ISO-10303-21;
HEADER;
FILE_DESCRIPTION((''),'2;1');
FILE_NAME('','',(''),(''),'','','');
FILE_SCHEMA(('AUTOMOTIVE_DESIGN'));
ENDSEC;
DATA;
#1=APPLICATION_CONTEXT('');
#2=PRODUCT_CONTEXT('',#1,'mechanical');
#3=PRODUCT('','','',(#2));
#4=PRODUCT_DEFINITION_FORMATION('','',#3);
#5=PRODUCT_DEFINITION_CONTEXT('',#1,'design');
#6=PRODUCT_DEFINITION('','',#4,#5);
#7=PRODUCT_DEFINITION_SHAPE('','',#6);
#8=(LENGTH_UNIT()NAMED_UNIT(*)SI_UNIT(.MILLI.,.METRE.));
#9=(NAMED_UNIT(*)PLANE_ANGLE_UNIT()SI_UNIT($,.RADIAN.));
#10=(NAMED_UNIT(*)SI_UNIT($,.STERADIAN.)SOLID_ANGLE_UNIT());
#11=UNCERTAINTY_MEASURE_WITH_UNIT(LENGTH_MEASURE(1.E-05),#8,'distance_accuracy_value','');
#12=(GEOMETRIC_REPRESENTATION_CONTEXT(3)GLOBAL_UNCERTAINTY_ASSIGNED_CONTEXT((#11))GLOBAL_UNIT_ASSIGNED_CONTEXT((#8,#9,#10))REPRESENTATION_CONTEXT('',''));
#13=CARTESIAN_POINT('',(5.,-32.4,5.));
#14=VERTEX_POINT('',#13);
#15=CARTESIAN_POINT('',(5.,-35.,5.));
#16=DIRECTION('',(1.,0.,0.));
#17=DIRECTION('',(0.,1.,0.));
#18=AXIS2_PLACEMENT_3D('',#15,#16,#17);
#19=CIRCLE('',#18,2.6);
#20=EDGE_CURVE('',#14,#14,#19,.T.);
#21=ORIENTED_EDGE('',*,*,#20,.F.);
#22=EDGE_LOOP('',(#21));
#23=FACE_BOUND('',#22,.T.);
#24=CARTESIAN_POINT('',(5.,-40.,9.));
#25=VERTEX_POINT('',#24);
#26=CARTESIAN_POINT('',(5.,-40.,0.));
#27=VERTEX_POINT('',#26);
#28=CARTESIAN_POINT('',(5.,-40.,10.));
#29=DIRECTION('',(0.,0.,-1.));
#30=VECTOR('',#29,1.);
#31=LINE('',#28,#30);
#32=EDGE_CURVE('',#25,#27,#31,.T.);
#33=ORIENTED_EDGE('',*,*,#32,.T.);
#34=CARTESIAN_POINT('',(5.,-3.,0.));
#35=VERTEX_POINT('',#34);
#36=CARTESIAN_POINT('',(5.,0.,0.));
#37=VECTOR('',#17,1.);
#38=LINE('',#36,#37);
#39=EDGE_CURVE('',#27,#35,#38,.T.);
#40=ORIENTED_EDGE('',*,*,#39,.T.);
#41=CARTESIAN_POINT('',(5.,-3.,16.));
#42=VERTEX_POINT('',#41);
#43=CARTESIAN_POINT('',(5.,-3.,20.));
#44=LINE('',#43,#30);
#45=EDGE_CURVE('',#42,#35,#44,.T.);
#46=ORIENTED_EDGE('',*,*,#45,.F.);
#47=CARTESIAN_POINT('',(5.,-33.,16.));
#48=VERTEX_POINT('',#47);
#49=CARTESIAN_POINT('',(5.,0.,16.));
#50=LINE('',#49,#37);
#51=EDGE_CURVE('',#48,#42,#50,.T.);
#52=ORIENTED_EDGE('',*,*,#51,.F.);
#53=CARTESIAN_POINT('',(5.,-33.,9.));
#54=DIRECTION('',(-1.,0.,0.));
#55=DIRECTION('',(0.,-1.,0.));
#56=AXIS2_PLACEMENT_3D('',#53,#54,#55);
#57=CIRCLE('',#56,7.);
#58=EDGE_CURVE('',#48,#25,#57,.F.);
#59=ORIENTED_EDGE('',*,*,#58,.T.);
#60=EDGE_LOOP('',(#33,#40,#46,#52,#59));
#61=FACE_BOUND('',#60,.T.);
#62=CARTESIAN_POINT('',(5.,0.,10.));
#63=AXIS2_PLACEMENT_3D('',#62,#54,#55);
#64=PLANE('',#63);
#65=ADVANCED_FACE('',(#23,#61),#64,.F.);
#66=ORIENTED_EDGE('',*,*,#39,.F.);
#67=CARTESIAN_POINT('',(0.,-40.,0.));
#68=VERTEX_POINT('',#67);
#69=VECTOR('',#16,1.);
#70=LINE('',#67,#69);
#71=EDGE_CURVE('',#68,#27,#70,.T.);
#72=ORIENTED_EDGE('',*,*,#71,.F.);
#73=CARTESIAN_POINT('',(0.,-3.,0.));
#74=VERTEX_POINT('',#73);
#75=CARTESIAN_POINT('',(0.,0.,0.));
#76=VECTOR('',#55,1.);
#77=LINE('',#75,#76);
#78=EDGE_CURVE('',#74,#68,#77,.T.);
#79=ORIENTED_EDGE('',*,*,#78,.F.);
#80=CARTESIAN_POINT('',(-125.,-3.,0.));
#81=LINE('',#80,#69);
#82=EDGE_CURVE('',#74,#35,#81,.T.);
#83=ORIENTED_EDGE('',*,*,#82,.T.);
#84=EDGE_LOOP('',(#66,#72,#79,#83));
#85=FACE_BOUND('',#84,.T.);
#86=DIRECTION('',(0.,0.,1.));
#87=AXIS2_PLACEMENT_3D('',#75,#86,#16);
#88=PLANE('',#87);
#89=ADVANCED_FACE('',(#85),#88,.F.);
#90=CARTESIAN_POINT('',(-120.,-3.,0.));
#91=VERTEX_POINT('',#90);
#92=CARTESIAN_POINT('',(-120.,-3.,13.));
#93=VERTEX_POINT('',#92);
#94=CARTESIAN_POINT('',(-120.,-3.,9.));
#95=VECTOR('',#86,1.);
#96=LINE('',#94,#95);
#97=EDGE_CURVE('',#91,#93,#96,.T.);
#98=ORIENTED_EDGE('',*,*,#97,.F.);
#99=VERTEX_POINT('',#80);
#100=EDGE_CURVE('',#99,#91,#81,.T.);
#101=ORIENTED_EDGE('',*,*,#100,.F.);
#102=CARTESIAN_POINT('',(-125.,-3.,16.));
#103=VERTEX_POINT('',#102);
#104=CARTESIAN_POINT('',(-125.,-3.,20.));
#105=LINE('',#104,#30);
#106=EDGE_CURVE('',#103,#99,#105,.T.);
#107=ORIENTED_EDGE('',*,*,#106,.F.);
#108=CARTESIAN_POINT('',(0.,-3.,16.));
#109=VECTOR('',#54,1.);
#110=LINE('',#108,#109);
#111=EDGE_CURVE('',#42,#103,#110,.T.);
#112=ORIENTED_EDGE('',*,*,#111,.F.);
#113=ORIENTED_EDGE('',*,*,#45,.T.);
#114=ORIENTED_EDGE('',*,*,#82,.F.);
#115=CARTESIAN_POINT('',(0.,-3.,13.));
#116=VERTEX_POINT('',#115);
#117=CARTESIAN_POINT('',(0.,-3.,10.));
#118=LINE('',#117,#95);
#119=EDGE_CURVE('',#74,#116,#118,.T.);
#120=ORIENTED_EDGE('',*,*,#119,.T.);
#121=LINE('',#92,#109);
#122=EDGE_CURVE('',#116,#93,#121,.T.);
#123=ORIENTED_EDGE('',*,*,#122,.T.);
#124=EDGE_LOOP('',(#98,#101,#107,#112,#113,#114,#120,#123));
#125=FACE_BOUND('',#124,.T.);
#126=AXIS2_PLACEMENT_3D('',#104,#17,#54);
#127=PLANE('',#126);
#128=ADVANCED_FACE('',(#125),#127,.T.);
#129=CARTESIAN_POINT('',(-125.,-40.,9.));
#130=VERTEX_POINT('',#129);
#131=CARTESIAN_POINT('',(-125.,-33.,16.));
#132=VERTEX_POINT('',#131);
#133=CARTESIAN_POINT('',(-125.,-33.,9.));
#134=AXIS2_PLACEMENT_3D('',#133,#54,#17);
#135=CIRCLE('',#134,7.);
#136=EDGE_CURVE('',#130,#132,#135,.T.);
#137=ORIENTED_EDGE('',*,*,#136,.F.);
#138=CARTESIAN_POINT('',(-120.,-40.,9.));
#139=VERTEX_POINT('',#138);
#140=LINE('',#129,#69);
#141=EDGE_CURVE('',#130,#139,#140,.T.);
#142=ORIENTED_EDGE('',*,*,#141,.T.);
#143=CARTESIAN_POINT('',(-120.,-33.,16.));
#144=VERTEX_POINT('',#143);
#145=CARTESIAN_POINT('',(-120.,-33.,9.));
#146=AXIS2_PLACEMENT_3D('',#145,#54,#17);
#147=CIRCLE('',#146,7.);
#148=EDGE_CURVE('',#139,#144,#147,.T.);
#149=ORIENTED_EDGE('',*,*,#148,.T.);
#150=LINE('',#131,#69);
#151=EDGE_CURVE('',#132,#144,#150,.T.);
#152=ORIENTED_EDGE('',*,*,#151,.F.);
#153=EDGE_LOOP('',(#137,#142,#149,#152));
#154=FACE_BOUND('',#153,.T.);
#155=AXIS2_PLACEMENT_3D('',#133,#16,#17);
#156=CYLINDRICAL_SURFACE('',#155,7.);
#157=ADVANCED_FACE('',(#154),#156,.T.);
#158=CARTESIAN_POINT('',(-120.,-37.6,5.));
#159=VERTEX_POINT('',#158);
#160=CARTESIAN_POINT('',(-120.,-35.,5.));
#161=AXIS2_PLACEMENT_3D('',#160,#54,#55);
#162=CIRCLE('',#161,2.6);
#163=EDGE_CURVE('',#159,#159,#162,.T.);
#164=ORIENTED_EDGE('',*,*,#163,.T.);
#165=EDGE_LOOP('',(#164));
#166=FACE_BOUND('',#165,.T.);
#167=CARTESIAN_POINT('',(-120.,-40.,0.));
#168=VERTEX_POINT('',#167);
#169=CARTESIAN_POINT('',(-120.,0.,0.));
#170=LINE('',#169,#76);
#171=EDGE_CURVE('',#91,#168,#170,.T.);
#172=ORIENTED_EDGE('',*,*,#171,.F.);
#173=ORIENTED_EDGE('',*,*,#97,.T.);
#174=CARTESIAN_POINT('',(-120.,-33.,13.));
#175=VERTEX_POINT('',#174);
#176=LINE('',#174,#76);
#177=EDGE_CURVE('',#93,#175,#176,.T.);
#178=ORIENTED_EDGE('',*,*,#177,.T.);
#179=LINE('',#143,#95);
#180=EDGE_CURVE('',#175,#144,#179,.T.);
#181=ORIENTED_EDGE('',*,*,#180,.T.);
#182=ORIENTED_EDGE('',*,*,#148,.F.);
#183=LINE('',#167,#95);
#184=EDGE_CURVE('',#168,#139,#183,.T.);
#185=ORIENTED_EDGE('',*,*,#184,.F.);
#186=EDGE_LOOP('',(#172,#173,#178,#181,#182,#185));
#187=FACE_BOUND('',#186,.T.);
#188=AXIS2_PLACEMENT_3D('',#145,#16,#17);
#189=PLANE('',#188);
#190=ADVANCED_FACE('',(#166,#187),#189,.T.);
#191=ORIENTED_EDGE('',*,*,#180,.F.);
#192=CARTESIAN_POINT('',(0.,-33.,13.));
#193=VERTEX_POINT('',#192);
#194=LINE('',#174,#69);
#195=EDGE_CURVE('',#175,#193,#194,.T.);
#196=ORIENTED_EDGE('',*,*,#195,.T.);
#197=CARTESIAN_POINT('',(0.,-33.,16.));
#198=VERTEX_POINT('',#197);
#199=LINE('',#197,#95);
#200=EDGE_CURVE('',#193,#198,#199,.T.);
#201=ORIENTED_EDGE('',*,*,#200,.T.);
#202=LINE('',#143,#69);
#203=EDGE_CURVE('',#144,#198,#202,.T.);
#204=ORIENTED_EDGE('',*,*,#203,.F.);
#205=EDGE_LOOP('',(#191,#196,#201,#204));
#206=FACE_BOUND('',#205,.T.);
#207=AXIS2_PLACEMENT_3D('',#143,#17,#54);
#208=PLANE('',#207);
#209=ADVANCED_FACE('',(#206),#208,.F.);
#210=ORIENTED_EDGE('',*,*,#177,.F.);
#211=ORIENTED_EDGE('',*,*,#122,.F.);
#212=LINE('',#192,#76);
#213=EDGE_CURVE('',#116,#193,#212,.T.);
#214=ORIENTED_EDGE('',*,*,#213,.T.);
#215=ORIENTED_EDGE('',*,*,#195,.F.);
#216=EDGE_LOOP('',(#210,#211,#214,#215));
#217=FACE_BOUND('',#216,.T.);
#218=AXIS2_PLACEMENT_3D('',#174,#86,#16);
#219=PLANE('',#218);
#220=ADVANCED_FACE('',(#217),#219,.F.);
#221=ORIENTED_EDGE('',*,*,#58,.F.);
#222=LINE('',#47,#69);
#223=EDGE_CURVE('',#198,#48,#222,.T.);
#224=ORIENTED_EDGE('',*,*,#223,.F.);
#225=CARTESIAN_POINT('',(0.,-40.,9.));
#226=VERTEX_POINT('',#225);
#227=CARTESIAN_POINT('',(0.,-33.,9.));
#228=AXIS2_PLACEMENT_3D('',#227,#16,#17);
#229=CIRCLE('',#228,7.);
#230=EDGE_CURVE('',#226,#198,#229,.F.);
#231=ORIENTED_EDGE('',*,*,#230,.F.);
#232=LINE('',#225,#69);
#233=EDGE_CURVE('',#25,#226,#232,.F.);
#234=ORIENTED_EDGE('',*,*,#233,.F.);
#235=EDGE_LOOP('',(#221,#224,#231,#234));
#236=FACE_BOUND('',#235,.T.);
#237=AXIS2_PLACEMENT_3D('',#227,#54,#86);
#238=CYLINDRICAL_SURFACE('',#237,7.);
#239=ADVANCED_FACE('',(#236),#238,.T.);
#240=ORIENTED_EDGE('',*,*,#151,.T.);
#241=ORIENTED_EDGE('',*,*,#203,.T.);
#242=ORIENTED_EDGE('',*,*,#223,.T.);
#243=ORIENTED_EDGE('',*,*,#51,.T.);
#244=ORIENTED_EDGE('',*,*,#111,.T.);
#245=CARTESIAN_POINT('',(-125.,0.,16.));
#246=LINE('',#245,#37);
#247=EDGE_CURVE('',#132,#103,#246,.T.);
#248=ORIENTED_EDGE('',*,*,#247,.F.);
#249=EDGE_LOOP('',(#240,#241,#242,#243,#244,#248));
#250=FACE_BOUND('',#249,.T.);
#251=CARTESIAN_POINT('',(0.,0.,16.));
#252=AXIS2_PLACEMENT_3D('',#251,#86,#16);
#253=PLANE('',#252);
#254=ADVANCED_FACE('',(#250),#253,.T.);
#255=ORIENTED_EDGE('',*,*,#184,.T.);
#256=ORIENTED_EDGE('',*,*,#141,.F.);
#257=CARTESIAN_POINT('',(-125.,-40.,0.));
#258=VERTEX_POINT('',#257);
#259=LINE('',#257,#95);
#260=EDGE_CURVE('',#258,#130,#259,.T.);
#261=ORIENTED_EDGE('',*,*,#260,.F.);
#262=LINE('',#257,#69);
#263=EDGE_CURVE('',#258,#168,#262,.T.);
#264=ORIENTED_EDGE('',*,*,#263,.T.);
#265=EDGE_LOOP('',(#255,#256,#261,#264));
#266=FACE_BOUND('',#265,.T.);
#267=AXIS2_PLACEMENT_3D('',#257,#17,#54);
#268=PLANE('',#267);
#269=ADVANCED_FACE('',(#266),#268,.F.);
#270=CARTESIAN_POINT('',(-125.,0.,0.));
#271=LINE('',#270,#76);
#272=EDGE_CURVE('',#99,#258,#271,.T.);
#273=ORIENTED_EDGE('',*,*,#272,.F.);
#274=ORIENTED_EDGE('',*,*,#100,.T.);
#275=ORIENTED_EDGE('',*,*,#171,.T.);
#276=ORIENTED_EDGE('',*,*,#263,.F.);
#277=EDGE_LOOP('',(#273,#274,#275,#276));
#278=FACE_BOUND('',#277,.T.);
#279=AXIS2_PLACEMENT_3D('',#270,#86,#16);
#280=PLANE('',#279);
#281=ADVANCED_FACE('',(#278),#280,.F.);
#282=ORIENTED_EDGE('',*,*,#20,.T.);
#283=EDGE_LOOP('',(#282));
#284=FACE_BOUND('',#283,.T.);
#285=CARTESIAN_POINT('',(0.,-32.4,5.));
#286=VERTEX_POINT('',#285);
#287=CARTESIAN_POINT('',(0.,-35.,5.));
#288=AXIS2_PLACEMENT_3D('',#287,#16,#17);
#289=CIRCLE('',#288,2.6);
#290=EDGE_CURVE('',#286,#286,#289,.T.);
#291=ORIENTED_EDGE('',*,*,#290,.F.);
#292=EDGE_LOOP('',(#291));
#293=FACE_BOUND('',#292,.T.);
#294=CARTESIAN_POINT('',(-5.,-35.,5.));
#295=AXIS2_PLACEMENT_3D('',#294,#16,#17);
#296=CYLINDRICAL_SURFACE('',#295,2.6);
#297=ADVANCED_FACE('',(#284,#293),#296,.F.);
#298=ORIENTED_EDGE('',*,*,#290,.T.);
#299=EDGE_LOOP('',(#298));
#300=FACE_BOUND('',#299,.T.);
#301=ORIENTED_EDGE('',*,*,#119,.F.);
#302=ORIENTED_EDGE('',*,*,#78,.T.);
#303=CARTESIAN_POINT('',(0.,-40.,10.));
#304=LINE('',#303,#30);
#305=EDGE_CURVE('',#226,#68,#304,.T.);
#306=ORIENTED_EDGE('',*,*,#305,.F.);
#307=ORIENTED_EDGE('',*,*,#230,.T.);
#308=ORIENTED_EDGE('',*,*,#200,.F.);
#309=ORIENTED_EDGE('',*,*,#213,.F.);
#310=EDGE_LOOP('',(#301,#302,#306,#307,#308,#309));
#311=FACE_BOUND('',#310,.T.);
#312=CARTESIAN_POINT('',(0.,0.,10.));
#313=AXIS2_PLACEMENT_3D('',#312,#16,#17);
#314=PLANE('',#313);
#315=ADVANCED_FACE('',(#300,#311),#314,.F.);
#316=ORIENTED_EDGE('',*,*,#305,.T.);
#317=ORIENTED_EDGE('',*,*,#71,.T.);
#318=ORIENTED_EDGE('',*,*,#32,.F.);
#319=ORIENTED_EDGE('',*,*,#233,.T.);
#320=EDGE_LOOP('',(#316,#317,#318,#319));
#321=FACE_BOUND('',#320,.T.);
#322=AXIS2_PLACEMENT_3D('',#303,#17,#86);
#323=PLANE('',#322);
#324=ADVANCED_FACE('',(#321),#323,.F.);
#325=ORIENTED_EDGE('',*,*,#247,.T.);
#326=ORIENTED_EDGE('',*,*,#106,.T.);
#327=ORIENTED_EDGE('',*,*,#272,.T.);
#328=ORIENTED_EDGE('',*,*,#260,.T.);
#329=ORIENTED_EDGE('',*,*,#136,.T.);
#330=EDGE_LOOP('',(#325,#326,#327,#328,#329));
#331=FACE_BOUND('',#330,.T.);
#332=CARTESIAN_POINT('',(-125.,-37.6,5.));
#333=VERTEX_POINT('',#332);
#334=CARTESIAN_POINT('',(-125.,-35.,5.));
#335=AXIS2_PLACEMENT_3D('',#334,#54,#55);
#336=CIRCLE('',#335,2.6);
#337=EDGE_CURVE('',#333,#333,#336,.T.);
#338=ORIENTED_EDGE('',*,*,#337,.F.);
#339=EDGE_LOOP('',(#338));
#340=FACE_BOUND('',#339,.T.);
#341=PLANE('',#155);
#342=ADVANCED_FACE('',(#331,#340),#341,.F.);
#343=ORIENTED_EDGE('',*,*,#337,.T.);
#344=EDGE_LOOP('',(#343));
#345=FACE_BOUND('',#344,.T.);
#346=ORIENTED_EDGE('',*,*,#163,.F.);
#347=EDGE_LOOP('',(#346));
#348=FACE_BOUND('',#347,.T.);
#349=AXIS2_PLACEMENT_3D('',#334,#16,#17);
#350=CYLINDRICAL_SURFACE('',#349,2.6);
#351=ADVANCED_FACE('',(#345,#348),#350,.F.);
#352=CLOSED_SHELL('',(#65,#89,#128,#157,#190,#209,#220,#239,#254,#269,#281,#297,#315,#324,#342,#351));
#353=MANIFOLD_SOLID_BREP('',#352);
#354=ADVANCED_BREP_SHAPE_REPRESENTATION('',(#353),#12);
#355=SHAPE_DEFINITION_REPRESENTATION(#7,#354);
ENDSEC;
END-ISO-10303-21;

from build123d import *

# Parameters (mm, degrees)
ESQUISSE1_W             = 5
ESQUISSE1_H             = 40
BOSS_EXTRU_1_DEPTH      = 10
ESQUISSE2_R             = 2.6
ENL_V_MAT_EXTRU_1_DEPTH = 10
ESQUISSE3_W             = 5
ESQUISSE3_H             = 40
BOSS_EXTRU_2_DEPTH      = 6
CONG_1_R                = 7
ESQUISSE6_W             = 3
ESQUISSE6_H             = 33
BOSS_EXTRU_4_DEPTH      = 120
ESQUISSE8_R             = 2.6
BOSS_EXTRU_5_DEPTH      = 5
ESQUISSE9_W             = 130
ESQUISSE9_H             = 3
ENL_V_MAT_EXTRU_2_DEPTH = 20


with BuildPart() as part:
    # Esquisse1 → Boss.-Extru.1 (new body)
    with BuildSketch(Plane.XY):
        with Locations((2.5, -20)):
            Rectangle(ESQUISSE1_W, ESQUISSE1_H)
    extrude(amount=BOSS_EXTRU_1_DEPTH)

    # Esquisse2 → Enlèv. mat.-Extru.1 (cut)
    with BuildSketch(Plane(origin=(5, 0, 0), x_dir=(0, 0, -1), z_dir=(1, 0, 0))):
        with Locations((-5, -35)):
            Circle(ESQUISSE2_R)
    extrude(amount=-ENL_V_MAT_EXTRU_1_DEPTH, mode=Mode.SUBTRACT)

    # Esquisse3 → Boss.-Extru.2 (add)
    with BuildSketch(Plane.XY.offset(10)):
        with Locations((2.5, -20)):
            Rectangle(ESQUISSE3_W, ESQUISSE3_H)
    extrude(amount=BOSS_EXTRU_2_DEPTH)

    # Congé1
    cong_1_edges = [part.edges().sort_by_distance(p)[0] for p in [
        (2.5, -40, 16),
    ]]
    fillet(cong_1_edges, radius=CONG_1_R)

    # Esquisse6 → Boss.-Extru.4 (add)
    with BuildSketch(Plane.ZY):
        with Locations((14.5, -16.5)):
            Rectangle(ESQUISSE6_W, ESQUISSE6_H)
    extrude(amount=BOSS_EXTRU_4_DEPTH)

    # Esquisse8 → Boss.-Extru.5 (add)
    with BuildSketch(Plane.ZY.offset(120)):
        with BuildLine():
            Line((16, 0), (0, 0))
            Line((0, 0), (0, -40))
            Line((0, -40), (9, -40))
            ThreePointArc((9, -40), (13.949747468, -37.949747468), (16, -33))
            Line((16, -33), (16, 0))
        make_face()
        with Locations((5, -35)):
            Circle(ESQUISSE8_R, mode=Mode.SUBTRACT)
    extrude(amount=BOSS_EXTRU_5_DEPTH)

    # Esquisse9 → Enlèv. mat.-Extru.2 (cut)
    with BuildSketch(Plane.XY):
        with Locations((-60, -1.5)):
            Rectangle(ESQUISSE9_W, ESQUISSE9_H)
    extrude(amount=ENL_V_MAT_EXTRU_2_DEPTH, mode=Mode.SUBTRACT)


solid = part.part
